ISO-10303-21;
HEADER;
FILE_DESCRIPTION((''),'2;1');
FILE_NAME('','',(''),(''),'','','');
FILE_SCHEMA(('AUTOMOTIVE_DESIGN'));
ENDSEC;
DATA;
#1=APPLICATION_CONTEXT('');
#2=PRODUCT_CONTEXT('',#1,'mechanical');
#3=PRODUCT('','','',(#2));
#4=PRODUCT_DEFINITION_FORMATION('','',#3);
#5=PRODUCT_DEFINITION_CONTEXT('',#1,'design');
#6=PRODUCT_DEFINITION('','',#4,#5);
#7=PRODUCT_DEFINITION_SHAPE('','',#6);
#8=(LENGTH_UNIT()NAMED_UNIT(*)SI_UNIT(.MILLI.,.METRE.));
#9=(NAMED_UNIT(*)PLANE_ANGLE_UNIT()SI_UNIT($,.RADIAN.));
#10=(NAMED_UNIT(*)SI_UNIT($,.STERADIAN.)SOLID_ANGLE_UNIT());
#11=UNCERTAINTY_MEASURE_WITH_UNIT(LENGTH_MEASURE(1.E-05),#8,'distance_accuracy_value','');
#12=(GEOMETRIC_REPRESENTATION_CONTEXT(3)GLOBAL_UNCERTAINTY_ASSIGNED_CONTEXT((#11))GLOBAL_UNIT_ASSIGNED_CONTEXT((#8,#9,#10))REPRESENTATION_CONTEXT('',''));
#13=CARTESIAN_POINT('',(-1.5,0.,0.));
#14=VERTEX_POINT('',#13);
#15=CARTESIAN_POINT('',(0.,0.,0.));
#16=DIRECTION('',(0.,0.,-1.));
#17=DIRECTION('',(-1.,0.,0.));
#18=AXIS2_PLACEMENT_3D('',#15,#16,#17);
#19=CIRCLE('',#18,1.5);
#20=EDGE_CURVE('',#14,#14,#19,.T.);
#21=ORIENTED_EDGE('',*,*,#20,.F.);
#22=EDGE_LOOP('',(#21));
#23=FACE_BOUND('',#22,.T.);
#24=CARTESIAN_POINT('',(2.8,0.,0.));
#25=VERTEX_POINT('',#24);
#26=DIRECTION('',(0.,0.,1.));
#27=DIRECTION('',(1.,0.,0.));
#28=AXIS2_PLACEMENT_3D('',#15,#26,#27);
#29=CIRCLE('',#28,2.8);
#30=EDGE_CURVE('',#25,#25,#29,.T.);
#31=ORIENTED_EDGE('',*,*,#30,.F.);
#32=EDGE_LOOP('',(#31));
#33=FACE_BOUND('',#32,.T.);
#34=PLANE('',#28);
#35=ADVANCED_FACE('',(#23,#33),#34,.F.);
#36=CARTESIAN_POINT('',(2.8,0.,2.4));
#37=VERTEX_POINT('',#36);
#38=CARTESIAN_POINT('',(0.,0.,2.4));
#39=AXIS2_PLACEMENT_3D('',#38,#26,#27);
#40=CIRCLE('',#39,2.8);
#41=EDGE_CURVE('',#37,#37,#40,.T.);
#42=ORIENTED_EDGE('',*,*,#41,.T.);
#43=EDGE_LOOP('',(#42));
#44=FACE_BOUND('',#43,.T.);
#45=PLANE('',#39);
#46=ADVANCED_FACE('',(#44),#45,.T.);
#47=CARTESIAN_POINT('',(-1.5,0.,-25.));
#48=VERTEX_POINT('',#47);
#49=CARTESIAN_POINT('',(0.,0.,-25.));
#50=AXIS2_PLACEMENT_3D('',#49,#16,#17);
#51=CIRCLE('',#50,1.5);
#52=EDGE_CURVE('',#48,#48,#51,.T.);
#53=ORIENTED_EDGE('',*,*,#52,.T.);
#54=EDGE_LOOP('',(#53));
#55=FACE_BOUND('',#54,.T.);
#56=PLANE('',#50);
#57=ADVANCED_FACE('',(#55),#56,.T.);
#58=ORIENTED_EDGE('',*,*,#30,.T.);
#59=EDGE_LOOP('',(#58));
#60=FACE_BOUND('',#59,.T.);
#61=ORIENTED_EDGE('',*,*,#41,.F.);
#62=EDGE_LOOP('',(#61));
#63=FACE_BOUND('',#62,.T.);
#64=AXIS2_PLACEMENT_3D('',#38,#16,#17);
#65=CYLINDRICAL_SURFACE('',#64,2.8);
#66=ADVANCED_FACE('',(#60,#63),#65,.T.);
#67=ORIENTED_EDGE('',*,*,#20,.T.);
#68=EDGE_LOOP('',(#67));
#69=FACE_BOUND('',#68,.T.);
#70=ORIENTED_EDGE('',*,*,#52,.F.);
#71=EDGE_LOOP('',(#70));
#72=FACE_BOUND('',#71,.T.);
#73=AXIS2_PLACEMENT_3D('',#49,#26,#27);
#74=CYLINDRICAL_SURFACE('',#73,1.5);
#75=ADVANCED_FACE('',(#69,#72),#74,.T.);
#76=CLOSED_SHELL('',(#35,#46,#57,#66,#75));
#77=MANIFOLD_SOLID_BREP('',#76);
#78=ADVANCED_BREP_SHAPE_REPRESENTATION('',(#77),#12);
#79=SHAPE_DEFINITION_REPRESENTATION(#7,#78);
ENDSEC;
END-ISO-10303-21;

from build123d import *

# Parameters (mm, degrees)
ESQUISSE1_R        = 2.8
BOSS_EXTRU_1_DEPTH = 2.4
ESQUISSE2_R        = 1.5
BOSS_EXTRU_2_DEPTH = 25


with BuildPart() as part:
    # Esquisse1 → Boss.-Extru.1 (new body)
    with BuildSketch(Plane.XY):
        Circle(ESQUISSE1_R)
    extrude(amount=BOSS_EXTRU_1_DEPTH)

    # Esquisse2 → Boss.-Extru.2 (add)
    with BuildSketch(Plane(origin=(0, 0, 0), x_dir=(-1, 0, 0), z_dir=(0, 0, -1))):
        Circle(ESQUISSE2_R)
    extrude(amount=BOSS_EXTRU_2_DEPTH)


solid = part.part
